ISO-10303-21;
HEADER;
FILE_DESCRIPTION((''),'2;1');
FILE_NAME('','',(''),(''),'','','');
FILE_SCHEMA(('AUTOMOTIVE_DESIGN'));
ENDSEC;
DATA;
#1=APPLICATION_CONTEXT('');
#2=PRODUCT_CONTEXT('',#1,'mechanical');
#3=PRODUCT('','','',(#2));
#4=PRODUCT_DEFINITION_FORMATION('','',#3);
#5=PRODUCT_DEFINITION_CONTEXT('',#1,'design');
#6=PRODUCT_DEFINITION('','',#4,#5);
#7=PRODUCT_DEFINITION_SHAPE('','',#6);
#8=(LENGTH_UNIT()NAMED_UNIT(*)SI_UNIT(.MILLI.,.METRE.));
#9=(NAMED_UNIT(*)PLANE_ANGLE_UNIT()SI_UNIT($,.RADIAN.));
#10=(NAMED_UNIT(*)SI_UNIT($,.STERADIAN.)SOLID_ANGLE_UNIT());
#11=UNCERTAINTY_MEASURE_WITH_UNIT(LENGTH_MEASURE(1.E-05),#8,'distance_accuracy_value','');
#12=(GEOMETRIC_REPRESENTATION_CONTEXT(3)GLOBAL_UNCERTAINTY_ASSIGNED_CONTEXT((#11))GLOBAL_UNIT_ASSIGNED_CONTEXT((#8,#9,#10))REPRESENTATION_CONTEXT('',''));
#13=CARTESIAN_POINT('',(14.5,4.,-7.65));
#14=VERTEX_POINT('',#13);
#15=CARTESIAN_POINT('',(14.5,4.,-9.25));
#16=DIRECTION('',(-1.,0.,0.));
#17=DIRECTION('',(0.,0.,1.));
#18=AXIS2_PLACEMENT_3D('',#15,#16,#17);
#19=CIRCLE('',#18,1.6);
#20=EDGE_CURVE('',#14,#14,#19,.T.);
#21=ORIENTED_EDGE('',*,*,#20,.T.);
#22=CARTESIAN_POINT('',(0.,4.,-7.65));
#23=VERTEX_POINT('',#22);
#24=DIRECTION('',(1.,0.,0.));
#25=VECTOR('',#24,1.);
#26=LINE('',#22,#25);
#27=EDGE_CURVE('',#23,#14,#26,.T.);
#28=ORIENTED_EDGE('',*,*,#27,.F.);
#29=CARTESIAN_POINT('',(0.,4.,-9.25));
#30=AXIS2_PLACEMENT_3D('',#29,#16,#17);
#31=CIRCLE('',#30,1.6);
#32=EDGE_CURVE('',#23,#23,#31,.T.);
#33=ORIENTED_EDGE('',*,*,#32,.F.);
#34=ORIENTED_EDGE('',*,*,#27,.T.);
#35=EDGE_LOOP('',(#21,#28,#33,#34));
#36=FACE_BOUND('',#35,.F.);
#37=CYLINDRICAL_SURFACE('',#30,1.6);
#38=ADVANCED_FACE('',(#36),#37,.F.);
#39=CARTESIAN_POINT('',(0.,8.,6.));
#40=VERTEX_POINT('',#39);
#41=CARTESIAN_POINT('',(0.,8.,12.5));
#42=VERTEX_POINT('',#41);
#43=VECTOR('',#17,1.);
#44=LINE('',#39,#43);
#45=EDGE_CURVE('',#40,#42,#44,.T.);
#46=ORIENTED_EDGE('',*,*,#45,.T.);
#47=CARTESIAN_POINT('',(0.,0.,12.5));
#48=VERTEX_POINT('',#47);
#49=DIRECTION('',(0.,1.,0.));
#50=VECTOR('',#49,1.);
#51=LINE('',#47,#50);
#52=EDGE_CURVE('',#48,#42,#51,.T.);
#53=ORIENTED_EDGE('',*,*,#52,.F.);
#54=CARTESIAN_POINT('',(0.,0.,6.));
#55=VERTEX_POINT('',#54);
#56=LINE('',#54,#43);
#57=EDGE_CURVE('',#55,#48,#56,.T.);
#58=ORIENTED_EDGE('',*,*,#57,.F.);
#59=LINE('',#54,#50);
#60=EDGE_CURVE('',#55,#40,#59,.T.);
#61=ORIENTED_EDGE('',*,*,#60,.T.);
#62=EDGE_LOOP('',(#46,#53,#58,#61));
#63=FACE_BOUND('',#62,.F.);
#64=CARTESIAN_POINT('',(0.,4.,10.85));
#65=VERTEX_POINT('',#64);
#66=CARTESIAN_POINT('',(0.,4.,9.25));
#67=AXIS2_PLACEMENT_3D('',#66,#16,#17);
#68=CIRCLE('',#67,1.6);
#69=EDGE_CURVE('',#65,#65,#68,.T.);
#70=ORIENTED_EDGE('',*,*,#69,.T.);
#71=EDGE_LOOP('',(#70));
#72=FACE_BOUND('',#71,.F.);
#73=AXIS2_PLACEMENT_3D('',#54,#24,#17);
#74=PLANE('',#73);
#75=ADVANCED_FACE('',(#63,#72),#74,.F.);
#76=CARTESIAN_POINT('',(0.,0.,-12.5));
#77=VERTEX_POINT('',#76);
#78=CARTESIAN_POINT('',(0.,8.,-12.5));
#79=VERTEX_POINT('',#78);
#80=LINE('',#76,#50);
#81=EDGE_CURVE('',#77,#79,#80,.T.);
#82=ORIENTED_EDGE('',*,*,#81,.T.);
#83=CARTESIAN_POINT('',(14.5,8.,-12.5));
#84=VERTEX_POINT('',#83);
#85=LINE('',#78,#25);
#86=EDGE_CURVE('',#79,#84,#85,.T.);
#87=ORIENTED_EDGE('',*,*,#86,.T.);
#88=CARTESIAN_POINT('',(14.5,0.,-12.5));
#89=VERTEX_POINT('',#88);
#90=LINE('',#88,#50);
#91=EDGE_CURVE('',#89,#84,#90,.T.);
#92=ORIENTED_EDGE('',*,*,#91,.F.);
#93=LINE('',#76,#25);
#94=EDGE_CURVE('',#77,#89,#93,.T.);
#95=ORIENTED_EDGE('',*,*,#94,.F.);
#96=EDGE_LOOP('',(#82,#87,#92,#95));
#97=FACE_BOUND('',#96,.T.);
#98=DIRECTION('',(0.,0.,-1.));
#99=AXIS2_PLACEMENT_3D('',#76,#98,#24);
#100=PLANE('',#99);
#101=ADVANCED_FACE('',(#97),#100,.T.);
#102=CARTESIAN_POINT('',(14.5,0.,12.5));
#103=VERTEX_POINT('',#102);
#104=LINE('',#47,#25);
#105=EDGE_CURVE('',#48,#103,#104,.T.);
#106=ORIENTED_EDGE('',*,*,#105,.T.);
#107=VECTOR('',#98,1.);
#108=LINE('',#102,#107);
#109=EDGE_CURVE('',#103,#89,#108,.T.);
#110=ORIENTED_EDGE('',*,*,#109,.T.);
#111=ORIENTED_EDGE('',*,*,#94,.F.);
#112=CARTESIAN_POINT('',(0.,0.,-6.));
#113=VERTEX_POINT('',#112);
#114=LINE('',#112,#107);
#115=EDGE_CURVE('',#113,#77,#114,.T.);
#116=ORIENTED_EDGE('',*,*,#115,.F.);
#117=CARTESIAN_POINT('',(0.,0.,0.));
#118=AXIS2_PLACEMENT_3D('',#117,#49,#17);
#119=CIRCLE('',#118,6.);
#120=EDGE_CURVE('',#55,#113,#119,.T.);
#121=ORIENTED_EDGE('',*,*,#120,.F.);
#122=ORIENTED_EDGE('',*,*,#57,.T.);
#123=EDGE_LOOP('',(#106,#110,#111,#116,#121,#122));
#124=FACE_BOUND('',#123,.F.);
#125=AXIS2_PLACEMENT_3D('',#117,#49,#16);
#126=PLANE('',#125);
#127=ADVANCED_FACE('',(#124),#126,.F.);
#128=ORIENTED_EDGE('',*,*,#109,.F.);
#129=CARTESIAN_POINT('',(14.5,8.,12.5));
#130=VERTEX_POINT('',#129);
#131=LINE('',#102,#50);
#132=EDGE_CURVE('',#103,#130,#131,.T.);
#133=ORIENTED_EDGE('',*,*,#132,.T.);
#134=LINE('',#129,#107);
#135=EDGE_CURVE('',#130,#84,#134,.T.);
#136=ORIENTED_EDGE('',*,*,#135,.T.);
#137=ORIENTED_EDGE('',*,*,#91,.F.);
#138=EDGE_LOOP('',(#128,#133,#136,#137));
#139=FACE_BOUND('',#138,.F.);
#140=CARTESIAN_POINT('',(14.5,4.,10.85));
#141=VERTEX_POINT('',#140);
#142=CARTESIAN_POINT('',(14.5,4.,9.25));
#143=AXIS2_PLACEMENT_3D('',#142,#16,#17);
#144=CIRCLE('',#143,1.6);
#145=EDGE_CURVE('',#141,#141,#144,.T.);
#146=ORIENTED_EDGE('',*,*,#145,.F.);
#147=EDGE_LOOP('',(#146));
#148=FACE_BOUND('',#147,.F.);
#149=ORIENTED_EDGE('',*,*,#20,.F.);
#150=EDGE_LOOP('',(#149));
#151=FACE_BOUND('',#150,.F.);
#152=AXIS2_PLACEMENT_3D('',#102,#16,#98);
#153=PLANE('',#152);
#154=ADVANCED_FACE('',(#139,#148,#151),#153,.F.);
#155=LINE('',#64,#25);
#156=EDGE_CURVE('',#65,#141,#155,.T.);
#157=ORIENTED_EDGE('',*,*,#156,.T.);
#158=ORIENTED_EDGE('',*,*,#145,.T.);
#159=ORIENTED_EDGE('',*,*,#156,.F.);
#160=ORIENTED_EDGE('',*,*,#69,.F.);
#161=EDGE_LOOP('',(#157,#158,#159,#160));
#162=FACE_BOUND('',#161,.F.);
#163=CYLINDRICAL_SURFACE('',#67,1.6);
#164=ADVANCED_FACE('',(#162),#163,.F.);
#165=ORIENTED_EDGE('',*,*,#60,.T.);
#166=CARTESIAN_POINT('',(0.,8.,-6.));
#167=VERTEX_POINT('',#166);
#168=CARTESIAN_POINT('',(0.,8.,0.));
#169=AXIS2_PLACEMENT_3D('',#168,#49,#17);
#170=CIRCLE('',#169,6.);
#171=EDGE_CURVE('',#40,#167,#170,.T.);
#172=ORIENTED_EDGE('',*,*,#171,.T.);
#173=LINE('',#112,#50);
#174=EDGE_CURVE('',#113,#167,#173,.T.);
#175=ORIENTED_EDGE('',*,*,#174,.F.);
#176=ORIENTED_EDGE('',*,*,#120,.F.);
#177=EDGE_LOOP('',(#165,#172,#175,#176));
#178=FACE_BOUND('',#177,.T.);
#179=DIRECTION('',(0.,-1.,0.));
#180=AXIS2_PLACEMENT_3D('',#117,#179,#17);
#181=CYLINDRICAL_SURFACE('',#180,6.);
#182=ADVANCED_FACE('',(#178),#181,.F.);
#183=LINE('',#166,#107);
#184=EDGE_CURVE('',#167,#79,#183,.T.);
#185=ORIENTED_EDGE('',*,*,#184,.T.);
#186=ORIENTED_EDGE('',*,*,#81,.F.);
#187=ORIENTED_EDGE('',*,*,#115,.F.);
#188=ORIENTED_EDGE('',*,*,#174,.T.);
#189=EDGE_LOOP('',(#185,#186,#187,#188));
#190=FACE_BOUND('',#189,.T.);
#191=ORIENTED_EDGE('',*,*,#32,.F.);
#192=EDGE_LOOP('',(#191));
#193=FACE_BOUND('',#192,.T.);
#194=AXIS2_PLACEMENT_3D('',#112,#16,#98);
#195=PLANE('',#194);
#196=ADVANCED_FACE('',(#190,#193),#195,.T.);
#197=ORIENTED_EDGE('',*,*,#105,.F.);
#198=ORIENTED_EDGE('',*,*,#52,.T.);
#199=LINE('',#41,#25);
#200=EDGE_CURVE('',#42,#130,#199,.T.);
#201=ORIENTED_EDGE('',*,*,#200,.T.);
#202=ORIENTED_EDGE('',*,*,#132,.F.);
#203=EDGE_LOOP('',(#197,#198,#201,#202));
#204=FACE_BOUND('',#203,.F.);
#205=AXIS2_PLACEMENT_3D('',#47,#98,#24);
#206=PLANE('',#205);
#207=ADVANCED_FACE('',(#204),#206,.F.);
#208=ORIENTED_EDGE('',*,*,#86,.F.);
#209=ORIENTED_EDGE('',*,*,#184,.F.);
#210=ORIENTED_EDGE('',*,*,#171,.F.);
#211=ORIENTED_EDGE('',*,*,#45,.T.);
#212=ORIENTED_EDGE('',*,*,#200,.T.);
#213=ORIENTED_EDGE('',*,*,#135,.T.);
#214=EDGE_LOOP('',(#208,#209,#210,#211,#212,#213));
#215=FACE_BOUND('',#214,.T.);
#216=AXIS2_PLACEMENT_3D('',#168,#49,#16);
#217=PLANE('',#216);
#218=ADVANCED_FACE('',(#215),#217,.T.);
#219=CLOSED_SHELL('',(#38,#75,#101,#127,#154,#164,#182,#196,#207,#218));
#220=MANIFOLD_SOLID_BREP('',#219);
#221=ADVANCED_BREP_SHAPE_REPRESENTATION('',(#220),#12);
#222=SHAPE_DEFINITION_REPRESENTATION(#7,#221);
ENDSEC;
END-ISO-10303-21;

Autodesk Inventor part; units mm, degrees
ref_plane "YZ Plane" through (0, 0, 0) normal (1, 0, 0) x (0, 1, 0)
ref_plane "XZ Plane" through (0, 0, 0) normal (0, 1, 0) x (-1, 0, 0)
ref_plane "XY Plane" through (0, 0, 0) normal (0, 0, 1) x (1, 0, 0)
sketch "Sketch1" plane through (0, 0, 0) normal (0, 1, 0) x (-1, 0, 0)
  arc A0 (0, 6) -> (0, -6) centre (0, 0) ccw
  line L0 (0, 0) -> (-14.5, 0) construction
  line L1 (0, 6) -> (0, 12.5)
  line L2 (0, 12.5) -> (-14.5, 12.5)
  line L3 (0, -6) -> (0, -12.5)
  line L4 (0, -12.5) -> (-14.5, -12.5)
  line L5 (-14.5, 12.5) -> (-14.5, -12.5)
extrude "Extrusion1" add sketch "Sketch1" along normal blind 8
sketch "Sketch2" plane through (0, 8, 0) normal (0, 1, 0) x (1, 0, 0)
  line L0 (14.5, -12.5) -> (14.5, 12.5) construction
  line L1 (0, 12.5) -> (0, 6) construction
  line L2 (0, -6) -> (0, -12.5) construction
  point P0 (0, 0)
sketch "Sketch3" plane through (0, 0, -12.5) normal (-1, 0, 0) x (0, 0, 1)
  line L0 (0, 8) -> (6.5, 8) construction
  line L1 (3.25, 8) -> (3.25, 0) construction
  line L2 (25, 8) -> (0, 8) construction
  line L3 (18.5, 8) -> (25, 8) construction
  line L4 (21.75, 8) -> (21.75, 0) construction
  line L5 (12.5, 0) -> (12.5, 8) construction
  line L6 (25, 0) -> (25, 8) construction
  line L7 (25, 4) -> (0, 4) construction
  line L8 (0, 0) -> (0, 8) construction
  circle A0 centre (21.75, 4) radius 1.6
  circle A1 centre (3.25, 4) radius 1.6
  dimension "d8" = 3.2
  dimension "d9" = 3.2
extrude "Extrusion2" cut sketch "Sketch3" against normal through all
sketch "Sketch4" plane through (0, 8, 0) normal (0, 1, 0) x (1, 0, 0)
  point P0 (0, 0)
properties part number "Semi Cuscinetto"
